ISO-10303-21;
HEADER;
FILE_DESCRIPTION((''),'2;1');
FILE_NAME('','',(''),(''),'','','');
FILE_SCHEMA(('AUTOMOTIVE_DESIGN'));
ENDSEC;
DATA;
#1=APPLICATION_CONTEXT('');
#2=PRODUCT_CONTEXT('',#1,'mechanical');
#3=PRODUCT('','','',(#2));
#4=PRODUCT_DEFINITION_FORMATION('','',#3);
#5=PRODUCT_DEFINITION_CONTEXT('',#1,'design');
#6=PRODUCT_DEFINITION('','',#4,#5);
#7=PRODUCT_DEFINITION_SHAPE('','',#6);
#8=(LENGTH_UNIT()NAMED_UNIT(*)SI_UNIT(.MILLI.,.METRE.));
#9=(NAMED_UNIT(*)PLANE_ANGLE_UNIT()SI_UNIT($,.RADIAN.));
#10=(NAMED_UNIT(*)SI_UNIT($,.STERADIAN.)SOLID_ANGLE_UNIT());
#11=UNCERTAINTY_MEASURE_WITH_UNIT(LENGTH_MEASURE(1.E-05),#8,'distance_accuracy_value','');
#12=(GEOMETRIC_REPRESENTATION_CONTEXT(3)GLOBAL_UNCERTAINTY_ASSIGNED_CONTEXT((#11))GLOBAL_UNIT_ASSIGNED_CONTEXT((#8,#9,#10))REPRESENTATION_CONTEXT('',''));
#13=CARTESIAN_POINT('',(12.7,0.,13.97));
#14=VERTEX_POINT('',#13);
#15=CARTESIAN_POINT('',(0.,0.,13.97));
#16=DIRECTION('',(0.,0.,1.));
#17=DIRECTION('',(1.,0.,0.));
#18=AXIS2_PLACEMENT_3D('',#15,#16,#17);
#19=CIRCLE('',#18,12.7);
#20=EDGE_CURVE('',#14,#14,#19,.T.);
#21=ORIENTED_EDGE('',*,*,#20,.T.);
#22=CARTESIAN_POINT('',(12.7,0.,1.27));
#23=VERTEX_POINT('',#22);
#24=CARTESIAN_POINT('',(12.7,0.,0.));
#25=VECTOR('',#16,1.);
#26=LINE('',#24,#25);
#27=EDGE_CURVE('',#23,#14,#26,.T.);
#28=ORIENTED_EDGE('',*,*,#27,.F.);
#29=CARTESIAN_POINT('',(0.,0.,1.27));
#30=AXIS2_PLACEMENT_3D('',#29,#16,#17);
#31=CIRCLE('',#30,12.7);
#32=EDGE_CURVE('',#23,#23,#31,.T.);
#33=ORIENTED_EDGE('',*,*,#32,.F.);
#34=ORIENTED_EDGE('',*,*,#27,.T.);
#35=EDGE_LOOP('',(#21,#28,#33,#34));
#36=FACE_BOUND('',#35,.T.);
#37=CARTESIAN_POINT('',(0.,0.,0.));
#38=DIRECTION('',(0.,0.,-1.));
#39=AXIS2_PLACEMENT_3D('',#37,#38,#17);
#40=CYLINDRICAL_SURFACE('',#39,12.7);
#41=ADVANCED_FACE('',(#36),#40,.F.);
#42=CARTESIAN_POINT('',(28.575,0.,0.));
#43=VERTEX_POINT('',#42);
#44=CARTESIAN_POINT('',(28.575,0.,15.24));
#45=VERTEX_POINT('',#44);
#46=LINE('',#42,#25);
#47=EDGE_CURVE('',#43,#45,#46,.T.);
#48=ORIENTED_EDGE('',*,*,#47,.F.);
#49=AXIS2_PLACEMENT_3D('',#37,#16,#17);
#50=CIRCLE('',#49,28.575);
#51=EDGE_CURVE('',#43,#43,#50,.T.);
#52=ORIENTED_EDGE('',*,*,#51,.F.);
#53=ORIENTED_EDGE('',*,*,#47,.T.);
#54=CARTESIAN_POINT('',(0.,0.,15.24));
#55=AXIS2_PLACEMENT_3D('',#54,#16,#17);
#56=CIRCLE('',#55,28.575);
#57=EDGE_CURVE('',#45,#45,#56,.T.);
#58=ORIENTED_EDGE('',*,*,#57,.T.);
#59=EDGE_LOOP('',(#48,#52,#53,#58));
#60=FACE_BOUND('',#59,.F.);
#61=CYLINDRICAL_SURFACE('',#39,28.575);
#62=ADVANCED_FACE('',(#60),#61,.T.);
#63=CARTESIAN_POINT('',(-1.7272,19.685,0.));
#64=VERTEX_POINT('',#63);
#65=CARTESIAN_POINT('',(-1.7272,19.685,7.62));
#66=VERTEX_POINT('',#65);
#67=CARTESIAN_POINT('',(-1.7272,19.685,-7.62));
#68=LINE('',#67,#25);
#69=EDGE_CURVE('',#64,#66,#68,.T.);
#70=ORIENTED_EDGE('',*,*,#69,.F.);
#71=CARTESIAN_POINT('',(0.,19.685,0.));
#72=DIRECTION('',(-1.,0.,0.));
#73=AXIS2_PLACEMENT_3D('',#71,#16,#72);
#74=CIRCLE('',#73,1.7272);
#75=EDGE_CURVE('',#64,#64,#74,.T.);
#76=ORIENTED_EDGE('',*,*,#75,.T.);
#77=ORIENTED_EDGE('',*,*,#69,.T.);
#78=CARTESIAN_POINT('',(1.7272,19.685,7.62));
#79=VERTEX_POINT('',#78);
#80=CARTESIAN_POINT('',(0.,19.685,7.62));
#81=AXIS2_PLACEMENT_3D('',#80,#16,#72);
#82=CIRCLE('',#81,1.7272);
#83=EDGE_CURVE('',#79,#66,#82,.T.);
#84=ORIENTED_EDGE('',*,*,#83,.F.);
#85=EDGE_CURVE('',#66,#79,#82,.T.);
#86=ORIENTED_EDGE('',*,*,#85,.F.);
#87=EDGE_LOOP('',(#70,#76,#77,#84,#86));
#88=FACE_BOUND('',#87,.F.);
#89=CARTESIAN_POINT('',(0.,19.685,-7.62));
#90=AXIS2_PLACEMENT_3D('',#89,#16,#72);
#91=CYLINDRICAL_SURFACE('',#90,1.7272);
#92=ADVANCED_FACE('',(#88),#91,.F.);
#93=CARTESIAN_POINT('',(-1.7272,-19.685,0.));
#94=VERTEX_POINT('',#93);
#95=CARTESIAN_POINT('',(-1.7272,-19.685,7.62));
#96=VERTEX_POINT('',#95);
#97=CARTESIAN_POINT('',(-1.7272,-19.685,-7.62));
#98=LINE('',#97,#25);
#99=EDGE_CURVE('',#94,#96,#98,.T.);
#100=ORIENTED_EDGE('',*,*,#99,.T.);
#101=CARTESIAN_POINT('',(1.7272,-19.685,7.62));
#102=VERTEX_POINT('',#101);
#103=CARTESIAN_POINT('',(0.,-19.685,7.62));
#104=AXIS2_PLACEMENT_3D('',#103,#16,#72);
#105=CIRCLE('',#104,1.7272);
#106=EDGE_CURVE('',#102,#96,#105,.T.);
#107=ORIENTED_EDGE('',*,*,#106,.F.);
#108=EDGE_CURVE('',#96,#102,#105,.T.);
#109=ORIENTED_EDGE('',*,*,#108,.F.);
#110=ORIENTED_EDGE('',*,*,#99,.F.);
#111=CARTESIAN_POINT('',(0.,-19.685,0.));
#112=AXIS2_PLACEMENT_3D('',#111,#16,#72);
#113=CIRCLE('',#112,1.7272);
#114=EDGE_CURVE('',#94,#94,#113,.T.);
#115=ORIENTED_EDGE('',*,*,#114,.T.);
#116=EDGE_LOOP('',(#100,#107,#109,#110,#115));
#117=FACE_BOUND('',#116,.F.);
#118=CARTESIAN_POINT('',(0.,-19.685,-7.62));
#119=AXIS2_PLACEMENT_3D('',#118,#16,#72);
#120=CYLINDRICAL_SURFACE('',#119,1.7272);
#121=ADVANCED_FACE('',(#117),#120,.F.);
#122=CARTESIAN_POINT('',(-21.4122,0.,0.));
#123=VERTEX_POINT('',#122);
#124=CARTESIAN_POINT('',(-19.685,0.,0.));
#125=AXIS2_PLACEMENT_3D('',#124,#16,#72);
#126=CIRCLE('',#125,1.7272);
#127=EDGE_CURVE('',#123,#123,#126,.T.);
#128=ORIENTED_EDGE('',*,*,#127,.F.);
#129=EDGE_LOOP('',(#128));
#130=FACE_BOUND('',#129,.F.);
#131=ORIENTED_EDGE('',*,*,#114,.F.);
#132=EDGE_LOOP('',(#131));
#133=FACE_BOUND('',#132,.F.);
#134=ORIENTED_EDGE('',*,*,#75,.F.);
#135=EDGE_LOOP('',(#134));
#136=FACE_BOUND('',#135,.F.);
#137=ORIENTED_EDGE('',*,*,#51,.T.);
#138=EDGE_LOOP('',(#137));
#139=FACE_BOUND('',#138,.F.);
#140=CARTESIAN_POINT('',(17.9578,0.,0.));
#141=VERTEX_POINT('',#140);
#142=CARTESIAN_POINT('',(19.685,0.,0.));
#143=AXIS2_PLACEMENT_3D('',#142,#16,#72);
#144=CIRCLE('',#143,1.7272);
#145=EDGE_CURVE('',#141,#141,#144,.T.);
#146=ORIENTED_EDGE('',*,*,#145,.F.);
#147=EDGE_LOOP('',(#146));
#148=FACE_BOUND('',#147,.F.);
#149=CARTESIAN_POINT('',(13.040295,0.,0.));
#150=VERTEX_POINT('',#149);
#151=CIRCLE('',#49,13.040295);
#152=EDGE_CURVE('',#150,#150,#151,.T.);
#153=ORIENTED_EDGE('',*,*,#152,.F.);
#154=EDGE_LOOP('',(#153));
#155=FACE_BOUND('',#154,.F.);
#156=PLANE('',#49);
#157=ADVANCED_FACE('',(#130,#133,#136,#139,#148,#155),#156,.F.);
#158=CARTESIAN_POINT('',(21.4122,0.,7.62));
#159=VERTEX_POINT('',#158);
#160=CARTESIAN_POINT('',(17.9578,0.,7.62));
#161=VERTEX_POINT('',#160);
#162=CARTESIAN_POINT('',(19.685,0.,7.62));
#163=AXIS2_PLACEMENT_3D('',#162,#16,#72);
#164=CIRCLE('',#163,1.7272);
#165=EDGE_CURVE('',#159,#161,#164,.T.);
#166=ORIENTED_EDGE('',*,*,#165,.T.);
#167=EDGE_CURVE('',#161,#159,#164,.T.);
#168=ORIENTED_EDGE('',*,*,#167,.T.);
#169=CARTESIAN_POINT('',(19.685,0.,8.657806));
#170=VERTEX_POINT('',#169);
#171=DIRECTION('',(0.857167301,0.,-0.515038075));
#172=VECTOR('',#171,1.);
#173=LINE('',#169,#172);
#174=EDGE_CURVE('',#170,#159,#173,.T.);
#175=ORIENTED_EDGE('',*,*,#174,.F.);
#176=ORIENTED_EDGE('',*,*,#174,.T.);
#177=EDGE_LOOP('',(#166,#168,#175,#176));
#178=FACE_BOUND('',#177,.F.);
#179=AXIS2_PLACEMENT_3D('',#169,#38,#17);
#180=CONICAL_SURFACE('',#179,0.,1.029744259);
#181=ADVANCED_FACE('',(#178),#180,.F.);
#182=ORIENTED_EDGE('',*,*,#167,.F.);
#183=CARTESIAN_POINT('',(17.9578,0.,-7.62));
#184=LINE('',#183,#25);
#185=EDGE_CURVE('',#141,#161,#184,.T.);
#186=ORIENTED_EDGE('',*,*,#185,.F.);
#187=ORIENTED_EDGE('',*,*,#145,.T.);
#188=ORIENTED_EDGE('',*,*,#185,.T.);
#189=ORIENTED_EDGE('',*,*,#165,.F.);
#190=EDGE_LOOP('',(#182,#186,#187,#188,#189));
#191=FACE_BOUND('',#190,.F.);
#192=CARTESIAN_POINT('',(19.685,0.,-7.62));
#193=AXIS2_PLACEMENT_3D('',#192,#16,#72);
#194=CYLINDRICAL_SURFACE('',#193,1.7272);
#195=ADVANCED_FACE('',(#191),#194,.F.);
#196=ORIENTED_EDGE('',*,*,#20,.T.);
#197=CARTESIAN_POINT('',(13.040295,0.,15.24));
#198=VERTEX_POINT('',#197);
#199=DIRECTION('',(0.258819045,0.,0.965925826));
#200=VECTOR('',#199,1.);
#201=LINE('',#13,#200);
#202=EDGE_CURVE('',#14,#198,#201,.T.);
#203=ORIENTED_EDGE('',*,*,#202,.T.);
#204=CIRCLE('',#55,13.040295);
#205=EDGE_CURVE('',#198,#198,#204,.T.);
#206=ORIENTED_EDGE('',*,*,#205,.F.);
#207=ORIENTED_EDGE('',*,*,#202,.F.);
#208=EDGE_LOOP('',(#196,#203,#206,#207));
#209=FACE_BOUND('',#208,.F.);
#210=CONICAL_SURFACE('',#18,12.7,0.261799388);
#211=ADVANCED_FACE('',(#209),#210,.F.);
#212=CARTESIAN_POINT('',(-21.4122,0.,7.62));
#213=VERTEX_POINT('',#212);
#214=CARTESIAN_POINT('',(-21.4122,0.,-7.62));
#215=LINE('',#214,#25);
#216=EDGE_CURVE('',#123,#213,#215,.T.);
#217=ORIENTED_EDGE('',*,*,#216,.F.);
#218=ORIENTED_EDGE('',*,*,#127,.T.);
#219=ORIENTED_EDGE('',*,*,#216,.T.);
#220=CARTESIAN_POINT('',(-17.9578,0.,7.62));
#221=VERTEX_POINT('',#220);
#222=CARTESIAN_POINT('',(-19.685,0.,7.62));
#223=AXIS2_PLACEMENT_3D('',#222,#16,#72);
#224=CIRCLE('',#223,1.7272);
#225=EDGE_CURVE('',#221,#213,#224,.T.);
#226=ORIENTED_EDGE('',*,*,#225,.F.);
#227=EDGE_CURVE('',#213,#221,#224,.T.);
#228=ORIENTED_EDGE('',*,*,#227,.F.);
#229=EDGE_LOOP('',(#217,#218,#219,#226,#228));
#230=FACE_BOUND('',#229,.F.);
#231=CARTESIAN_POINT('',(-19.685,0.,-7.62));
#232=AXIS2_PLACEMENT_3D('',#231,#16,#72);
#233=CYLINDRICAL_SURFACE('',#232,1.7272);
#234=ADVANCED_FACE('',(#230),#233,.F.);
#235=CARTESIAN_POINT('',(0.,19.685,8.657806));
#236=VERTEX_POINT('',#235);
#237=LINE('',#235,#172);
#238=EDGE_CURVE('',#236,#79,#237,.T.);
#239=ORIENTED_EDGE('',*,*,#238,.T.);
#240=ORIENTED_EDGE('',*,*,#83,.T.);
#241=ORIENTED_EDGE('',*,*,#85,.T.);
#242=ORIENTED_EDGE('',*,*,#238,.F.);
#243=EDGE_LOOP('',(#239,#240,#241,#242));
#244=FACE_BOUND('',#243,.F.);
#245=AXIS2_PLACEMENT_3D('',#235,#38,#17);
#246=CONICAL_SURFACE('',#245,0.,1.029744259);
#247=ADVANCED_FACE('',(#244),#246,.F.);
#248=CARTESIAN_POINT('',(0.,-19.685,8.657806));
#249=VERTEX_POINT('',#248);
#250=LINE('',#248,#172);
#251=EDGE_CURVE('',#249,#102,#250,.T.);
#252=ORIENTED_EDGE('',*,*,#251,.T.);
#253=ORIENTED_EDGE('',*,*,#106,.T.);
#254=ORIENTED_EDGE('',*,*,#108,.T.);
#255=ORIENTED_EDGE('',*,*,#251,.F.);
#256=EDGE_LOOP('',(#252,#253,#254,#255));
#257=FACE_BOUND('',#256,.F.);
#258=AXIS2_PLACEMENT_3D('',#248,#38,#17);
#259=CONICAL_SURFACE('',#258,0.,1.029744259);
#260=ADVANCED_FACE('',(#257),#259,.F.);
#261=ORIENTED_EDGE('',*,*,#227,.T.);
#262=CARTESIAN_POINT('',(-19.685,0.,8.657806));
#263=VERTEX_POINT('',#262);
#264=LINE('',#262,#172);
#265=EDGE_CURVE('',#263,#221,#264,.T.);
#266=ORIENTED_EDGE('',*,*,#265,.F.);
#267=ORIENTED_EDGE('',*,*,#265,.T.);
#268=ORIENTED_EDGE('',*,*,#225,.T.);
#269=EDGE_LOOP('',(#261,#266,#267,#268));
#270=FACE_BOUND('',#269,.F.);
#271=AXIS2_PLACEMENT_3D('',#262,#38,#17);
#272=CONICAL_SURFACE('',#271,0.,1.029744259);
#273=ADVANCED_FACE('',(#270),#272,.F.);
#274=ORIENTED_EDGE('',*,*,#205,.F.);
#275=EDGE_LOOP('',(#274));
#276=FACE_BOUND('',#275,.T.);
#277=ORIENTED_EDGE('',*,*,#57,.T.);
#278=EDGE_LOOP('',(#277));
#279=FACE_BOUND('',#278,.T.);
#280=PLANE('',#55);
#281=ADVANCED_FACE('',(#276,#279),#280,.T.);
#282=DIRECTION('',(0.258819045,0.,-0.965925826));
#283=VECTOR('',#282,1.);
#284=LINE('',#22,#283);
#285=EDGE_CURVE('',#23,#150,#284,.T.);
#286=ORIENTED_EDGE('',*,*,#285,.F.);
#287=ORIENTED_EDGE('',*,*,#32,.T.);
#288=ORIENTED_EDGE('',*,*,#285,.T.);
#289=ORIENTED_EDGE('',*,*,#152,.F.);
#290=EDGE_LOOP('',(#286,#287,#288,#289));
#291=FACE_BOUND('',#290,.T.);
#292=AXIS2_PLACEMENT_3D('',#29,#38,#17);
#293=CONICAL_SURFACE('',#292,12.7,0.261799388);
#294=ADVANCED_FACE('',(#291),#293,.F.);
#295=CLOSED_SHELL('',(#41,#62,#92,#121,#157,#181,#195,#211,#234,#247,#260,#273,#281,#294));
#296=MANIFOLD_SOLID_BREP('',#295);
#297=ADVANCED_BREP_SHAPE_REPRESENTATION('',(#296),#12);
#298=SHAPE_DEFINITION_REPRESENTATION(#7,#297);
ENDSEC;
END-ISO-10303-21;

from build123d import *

# Parameters (mm, degrees)
F0_R     = 28.575
F0_R_2   = 12.7
F1_DEPTH = 15.24
F2_SIZE2 = 0.3402954744
F2_SIZE  = 1.27
F4_D     = 3.4544
F4_DEPTH = 7.62
F4_TIP   = 1.0378064612


with BuildPart() as f1:
    # F0 (on Top) → F1 (new body)
    with BuildSketch(Plane.XY):
        Circle(F0_R)
        Circle(F0_R_2, mode=Mode.SUBTRACT)
    extrude(amount=F1_DEPTH)

    # F2
    f2_edges = [f1.edges().sort_by_distance(p)[0] for p in [
        (-12.7, 0, 15.24),
        (-12.7, 0, 0),
    ]]
    f2_side = f1.faces().sort_by_distance((-12.7, 0, 7.62))[0]
    chamfer(f2_edges, length=F2_SIZE, length2=F2_SIZE2, reference=f2_side)

    # F4
    with Locations(Plane(origin=(0, 0, 0), x_dir=(1, 0, 0), z_dir=(0, 0, -1))):
        with Locations((0, -19.685), (-19.685, 0), (0, 19.685), (19.685, 0)):
            Hole(F4_D / 2, depth=F4_DEPTH)
            with Locations((0, 0, -(F4_DEPTH + F4_TIP / 2))):  # 118° drill point
                Cone(0, F4_D / 2, F4_TIP, mode=Mode.SUBTRACT)


solid = f1.part
